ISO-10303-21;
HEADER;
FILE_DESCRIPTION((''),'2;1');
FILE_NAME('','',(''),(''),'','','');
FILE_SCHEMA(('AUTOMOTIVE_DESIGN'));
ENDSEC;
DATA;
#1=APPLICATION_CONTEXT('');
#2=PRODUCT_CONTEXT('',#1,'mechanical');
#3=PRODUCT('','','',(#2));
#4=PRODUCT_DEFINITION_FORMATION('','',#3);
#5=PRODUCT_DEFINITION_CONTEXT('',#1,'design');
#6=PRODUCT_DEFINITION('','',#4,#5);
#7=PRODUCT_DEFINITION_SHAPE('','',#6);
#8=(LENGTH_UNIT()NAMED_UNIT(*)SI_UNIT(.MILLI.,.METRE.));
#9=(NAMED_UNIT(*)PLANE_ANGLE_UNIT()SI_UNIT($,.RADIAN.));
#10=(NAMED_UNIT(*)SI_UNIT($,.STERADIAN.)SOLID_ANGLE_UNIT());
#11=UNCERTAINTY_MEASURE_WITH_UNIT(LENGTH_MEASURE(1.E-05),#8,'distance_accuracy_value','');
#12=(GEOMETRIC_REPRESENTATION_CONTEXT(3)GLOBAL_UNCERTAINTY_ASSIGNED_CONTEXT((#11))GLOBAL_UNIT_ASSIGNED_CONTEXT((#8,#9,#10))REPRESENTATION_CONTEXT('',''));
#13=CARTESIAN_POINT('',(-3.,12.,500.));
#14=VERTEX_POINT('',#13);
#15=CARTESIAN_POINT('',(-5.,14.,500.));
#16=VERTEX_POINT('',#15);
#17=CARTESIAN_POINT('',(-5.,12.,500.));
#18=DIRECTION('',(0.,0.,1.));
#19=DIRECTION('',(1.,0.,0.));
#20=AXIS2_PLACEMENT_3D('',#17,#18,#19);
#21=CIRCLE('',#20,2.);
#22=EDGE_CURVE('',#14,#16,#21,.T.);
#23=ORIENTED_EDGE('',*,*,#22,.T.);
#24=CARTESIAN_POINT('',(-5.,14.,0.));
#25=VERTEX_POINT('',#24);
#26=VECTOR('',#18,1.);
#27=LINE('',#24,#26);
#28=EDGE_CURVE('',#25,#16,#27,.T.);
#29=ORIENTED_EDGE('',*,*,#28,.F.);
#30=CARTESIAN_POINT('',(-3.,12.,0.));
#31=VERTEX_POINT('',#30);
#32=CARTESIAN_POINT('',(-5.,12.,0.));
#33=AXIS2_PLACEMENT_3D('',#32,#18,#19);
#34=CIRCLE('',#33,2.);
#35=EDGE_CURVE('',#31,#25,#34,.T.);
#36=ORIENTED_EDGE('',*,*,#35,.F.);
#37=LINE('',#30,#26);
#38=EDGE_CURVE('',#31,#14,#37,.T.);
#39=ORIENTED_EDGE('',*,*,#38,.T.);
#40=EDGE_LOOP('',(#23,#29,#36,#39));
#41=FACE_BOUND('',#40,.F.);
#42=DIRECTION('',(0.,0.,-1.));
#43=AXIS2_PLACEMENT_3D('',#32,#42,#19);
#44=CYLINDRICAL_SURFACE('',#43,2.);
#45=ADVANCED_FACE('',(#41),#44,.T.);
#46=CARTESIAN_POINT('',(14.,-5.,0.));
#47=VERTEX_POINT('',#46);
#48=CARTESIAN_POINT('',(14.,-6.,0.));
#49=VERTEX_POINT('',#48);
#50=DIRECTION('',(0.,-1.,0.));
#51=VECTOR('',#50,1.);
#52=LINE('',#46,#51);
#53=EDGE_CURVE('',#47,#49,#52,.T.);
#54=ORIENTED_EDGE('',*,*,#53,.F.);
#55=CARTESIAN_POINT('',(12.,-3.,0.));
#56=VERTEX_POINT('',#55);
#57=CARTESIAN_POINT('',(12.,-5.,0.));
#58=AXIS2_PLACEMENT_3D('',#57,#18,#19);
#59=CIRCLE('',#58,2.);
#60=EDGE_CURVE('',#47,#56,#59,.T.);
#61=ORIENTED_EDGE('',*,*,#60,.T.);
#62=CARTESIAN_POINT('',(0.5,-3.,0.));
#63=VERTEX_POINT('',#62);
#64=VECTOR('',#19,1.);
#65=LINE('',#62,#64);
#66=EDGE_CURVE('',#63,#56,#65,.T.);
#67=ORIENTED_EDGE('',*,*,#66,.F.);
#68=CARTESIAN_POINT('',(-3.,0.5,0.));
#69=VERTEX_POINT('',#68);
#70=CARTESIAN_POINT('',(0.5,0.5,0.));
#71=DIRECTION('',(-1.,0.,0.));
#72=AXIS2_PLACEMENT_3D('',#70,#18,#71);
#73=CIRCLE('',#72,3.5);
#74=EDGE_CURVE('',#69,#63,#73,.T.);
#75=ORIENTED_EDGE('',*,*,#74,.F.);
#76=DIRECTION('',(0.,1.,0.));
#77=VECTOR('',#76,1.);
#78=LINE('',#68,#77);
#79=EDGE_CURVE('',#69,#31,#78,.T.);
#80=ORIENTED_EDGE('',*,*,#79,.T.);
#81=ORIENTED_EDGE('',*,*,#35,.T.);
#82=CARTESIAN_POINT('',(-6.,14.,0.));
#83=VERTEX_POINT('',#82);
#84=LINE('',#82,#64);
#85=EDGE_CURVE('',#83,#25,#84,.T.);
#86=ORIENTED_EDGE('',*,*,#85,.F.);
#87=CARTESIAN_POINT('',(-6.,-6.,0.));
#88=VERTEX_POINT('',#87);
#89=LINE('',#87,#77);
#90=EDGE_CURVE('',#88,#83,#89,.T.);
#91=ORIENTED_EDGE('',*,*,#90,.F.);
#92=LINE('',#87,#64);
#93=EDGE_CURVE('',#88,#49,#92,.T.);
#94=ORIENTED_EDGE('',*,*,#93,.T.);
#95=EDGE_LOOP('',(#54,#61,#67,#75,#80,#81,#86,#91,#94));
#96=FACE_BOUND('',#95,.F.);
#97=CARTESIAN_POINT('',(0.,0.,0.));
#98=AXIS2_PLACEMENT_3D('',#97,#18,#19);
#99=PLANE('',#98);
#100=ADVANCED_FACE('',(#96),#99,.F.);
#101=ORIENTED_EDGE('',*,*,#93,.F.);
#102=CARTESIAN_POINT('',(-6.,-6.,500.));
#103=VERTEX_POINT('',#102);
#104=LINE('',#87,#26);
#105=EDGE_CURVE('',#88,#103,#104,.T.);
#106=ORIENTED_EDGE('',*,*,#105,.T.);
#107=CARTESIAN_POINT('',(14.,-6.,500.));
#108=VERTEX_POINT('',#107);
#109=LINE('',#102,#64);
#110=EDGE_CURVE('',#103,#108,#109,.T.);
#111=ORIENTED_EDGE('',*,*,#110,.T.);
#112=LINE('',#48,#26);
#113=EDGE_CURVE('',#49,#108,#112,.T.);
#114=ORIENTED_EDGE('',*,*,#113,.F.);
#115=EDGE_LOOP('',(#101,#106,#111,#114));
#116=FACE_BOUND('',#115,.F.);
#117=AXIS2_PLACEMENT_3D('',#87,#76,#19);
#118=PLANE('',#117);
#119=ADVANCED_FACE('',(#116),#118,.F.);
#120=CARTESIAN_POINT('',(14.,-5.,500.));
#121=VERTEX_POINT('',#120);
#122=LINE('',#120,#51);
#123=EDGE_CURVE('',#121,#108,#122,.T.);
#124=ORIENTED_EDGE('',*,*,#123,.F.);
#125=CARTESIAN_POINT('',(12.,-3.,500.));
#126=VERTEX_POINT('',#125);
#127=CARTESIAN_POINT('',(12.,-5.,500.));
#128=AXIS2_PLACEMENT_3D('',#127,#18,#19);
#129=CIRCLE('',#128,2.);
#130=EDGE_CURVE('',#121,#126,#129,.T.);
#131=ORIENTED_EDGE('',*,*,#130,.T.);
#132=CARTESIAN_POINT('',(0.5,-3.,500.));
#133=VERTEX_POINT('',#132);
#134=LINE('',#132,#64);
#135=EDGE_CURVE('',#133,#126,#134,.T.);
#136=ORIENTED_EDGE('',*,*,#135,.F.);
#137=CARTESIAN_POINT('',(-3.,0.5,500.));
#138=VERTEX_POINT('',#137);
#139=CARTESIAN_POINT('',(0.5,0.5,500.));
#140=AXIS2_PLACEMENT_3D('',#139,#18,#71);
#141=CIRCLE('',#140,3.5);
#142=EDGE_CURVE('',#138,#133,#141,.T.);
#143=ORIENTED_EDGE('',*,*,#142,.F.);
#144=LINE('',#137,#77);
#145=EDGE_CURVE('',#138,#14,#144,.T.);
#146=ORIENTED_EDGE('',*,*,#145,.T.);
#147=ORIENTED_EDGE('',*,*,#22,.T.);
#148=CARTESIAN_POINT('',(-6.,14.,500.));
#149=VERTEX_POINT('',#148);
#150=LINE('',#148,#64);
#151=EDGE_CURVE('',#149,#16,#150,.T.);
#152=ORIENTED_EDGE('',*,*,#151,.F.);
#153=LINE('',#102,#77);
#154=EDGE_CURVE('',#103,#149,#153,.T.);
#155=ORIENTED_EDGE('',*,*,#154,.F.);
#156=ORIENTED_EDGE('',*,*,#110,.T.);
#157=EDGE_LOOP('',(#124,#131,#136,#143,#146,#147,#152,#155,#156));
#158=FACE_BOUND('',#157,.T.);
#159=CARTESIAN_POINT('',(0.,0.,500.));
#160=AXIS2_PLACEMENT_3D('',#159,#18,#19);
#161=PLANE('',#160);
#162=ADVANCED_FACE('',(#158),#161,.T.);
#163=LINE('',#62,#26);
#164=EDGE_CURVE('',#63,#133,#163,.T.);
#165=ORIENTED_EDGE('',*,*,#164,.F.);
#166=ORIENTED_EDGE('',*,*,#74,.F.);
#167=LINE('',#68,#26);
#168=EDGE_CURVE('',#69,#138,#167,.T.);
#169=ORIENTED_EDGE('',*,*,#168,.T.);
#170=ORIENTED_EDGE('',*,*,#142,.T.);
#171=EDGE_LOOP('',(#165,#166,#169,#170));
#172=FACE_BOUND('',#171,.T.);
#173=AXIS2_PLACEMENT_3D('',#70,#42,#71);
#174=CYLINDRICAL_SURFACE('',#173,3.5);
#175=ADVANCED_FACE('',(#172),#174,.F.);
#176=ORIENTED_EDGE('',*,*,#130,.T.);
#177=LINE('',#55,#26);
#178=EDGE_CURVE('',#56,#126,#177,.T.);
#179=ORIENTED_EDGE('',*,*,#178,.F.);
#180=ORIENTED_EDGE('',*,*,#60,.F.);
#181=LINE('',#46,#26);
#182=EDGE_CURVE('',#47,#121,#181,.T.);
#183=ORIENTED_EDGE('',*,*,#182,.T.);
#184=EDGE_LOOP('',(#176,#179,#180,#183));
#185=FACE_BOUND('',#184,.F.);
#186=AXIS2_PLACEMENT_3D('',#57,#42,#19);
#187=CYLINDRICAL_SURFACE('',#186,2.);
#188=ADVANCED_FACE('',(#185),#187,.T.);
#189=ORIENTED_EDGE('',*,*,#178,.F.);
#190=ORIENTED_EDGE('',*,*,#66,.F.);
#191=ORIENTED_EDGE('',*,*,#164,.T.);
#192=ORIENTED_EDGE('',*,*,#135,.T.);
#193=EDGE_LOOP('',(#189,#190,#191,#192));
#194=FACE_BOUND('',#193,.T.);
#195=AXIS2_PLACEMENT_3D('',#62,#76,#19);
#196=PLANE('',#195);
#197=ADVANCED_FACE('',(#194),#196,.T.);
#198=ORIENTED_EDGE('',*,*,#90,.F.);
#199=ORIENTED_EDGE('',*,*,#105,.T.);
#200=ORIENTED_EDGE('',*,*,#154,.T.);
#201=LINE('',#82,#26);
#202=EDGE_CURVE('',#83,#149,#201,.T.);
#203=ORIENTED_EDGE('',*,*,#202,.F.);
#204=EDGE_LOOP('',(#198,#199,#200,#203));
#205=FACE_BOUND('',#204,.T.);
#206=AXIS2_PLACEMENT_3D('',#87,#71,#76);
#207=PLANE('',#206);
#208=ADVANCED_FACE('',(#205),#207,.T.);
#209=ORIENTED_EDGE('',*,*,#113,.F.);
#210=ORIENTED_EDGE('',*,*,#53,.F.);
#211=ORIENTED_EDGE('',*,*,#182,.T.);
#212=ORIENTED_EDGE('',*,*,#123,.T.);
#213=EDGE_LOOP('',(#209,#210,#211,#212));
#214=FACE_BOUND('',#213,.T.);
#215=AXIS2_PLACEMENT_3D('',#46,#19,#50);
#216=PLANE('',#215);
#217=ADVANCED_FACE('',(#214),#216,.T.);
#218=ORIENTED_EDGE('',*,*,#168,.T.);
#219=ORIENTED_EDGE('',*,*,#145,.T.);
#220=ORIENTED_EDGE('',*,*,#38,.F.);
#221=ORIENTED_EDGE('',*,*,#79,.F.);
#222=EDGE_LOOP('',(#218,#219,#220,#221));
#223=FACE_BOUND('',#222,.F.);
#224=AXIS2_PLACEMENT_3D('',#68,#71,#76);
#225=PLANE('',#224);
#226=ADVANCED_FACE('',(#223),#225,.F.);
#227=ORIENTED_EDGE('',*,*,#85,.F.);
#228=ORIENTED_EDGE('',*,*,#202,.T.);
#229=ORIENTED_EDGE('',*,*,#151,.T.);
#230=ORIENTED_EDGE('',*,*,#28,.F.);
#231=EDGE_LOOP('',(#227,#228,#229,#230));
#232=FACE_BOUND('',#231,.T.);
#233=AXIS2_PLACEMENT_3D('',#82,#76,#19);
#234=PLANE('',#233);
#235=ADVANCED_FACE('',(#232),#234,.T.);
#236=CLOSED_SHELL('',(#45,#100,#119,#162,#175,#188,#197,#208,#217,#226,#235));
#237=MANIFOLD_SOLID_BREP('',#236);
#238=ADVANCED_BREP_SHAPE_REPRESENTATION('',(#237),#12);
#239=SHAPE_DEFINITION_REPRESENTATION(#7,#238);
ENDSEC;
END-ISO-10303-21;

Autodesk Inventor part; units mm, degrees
ref_plane "YZ Plane" through (0, 0, 0) normal (1, 0, 0) x (0, 1, 0)
ref_plane "Start plane" through (0, 0, 0) normal (0, 0, 1) x (1, 0, 0)
ref_plane "End plane" through (0, 0, 500) normal (0, 0, 1) x (1, 0, 0)
sketch "Sketch" plane through (0, 0, 0) normal (0, 0, 1) x (1, 0, 0)
  line L0 (-3, 0.5) -> (-3, 12)
  line L1 (-6, 14) -> (-5, 14)
  line L2 (-6, -6) -> (-6, 14)
  line L3 (-6, -6) -> (14, -6)
  line L4 (14, -5) -> (14, -6)
  line L5 (0.5, -3) -> (12, -3)
  arc A0 (-3, 0.5) -> (0.5, -3) centre (0.5, 0.5) ccw
  arc A1 (-3, 12) -> (-5, 14) centre (-5, 12) ccw
  arc A2 (14, -5) -> (12, -3) centre (12, -5) ccw
  line L6 (0, 18.4971) -> (0, -10.0828) construction
  line L7 (-10.0828, 0) -> (18.4971, 0) construction
  point P0 (-3, -3)
  point P1 (-3, 14)
  point P2 (14, -3)
  dimension "d4" = 20
  dimension "d6" = 20
  dimension "d8" = 3
  dimension "d10" = 3
  dimension "d17" = 3.5
  dimension "d18" = 2
  dimension "d19" = 6
  dimension "d20" = 6
extrude "Body" add sketch "Sketch" along normal up to surface (500 mm away) from surface at 0
sketch "Sketch3" plane through (0, 0, 0) normal (0, 0, 1) x (1, 0, 0)
  line L0 (0, 0) -> (10, 0)
ref_plane "Work Plane10" through (0, 0, 0) normal (0, -1, 0) x (1, 0, 0)
sketch "Sketch4" plane through (0, 0, 0) normal (0, -1, 0) x (1, 0, 0)
  line L0 (-2, 0) -> (12, 0)
  line L1 (-2, 500) -> (12, 500)
  dimension "d24" = 500
equation "\"d4\" = b"
equation "\"d6\" = b"
equation "\"d8\" = ParT"
equation "\"d10\" = ParT"
equation "\"d17\" = R"
equation "\"d18\" = R1"
equation "\"d19\" = ex"
equation "\"d20\" = d19"
equation "\"d11\" = G_L"
equation "\"b\" = 20"
equation "\"ParT\" = 3"
equation "\"R\" = 3.5"
equation "\"R1\" = 2"
equation "\"G_L\" = d24"
equation "\"ex\" = 6"
equation "\"G_OFFSET_START\" = 0"
equation "\"G_OFFSET_END\" = 0"
properties part number "ISO 657-1 - L20x20x3-500" material "Stainless Steel"
